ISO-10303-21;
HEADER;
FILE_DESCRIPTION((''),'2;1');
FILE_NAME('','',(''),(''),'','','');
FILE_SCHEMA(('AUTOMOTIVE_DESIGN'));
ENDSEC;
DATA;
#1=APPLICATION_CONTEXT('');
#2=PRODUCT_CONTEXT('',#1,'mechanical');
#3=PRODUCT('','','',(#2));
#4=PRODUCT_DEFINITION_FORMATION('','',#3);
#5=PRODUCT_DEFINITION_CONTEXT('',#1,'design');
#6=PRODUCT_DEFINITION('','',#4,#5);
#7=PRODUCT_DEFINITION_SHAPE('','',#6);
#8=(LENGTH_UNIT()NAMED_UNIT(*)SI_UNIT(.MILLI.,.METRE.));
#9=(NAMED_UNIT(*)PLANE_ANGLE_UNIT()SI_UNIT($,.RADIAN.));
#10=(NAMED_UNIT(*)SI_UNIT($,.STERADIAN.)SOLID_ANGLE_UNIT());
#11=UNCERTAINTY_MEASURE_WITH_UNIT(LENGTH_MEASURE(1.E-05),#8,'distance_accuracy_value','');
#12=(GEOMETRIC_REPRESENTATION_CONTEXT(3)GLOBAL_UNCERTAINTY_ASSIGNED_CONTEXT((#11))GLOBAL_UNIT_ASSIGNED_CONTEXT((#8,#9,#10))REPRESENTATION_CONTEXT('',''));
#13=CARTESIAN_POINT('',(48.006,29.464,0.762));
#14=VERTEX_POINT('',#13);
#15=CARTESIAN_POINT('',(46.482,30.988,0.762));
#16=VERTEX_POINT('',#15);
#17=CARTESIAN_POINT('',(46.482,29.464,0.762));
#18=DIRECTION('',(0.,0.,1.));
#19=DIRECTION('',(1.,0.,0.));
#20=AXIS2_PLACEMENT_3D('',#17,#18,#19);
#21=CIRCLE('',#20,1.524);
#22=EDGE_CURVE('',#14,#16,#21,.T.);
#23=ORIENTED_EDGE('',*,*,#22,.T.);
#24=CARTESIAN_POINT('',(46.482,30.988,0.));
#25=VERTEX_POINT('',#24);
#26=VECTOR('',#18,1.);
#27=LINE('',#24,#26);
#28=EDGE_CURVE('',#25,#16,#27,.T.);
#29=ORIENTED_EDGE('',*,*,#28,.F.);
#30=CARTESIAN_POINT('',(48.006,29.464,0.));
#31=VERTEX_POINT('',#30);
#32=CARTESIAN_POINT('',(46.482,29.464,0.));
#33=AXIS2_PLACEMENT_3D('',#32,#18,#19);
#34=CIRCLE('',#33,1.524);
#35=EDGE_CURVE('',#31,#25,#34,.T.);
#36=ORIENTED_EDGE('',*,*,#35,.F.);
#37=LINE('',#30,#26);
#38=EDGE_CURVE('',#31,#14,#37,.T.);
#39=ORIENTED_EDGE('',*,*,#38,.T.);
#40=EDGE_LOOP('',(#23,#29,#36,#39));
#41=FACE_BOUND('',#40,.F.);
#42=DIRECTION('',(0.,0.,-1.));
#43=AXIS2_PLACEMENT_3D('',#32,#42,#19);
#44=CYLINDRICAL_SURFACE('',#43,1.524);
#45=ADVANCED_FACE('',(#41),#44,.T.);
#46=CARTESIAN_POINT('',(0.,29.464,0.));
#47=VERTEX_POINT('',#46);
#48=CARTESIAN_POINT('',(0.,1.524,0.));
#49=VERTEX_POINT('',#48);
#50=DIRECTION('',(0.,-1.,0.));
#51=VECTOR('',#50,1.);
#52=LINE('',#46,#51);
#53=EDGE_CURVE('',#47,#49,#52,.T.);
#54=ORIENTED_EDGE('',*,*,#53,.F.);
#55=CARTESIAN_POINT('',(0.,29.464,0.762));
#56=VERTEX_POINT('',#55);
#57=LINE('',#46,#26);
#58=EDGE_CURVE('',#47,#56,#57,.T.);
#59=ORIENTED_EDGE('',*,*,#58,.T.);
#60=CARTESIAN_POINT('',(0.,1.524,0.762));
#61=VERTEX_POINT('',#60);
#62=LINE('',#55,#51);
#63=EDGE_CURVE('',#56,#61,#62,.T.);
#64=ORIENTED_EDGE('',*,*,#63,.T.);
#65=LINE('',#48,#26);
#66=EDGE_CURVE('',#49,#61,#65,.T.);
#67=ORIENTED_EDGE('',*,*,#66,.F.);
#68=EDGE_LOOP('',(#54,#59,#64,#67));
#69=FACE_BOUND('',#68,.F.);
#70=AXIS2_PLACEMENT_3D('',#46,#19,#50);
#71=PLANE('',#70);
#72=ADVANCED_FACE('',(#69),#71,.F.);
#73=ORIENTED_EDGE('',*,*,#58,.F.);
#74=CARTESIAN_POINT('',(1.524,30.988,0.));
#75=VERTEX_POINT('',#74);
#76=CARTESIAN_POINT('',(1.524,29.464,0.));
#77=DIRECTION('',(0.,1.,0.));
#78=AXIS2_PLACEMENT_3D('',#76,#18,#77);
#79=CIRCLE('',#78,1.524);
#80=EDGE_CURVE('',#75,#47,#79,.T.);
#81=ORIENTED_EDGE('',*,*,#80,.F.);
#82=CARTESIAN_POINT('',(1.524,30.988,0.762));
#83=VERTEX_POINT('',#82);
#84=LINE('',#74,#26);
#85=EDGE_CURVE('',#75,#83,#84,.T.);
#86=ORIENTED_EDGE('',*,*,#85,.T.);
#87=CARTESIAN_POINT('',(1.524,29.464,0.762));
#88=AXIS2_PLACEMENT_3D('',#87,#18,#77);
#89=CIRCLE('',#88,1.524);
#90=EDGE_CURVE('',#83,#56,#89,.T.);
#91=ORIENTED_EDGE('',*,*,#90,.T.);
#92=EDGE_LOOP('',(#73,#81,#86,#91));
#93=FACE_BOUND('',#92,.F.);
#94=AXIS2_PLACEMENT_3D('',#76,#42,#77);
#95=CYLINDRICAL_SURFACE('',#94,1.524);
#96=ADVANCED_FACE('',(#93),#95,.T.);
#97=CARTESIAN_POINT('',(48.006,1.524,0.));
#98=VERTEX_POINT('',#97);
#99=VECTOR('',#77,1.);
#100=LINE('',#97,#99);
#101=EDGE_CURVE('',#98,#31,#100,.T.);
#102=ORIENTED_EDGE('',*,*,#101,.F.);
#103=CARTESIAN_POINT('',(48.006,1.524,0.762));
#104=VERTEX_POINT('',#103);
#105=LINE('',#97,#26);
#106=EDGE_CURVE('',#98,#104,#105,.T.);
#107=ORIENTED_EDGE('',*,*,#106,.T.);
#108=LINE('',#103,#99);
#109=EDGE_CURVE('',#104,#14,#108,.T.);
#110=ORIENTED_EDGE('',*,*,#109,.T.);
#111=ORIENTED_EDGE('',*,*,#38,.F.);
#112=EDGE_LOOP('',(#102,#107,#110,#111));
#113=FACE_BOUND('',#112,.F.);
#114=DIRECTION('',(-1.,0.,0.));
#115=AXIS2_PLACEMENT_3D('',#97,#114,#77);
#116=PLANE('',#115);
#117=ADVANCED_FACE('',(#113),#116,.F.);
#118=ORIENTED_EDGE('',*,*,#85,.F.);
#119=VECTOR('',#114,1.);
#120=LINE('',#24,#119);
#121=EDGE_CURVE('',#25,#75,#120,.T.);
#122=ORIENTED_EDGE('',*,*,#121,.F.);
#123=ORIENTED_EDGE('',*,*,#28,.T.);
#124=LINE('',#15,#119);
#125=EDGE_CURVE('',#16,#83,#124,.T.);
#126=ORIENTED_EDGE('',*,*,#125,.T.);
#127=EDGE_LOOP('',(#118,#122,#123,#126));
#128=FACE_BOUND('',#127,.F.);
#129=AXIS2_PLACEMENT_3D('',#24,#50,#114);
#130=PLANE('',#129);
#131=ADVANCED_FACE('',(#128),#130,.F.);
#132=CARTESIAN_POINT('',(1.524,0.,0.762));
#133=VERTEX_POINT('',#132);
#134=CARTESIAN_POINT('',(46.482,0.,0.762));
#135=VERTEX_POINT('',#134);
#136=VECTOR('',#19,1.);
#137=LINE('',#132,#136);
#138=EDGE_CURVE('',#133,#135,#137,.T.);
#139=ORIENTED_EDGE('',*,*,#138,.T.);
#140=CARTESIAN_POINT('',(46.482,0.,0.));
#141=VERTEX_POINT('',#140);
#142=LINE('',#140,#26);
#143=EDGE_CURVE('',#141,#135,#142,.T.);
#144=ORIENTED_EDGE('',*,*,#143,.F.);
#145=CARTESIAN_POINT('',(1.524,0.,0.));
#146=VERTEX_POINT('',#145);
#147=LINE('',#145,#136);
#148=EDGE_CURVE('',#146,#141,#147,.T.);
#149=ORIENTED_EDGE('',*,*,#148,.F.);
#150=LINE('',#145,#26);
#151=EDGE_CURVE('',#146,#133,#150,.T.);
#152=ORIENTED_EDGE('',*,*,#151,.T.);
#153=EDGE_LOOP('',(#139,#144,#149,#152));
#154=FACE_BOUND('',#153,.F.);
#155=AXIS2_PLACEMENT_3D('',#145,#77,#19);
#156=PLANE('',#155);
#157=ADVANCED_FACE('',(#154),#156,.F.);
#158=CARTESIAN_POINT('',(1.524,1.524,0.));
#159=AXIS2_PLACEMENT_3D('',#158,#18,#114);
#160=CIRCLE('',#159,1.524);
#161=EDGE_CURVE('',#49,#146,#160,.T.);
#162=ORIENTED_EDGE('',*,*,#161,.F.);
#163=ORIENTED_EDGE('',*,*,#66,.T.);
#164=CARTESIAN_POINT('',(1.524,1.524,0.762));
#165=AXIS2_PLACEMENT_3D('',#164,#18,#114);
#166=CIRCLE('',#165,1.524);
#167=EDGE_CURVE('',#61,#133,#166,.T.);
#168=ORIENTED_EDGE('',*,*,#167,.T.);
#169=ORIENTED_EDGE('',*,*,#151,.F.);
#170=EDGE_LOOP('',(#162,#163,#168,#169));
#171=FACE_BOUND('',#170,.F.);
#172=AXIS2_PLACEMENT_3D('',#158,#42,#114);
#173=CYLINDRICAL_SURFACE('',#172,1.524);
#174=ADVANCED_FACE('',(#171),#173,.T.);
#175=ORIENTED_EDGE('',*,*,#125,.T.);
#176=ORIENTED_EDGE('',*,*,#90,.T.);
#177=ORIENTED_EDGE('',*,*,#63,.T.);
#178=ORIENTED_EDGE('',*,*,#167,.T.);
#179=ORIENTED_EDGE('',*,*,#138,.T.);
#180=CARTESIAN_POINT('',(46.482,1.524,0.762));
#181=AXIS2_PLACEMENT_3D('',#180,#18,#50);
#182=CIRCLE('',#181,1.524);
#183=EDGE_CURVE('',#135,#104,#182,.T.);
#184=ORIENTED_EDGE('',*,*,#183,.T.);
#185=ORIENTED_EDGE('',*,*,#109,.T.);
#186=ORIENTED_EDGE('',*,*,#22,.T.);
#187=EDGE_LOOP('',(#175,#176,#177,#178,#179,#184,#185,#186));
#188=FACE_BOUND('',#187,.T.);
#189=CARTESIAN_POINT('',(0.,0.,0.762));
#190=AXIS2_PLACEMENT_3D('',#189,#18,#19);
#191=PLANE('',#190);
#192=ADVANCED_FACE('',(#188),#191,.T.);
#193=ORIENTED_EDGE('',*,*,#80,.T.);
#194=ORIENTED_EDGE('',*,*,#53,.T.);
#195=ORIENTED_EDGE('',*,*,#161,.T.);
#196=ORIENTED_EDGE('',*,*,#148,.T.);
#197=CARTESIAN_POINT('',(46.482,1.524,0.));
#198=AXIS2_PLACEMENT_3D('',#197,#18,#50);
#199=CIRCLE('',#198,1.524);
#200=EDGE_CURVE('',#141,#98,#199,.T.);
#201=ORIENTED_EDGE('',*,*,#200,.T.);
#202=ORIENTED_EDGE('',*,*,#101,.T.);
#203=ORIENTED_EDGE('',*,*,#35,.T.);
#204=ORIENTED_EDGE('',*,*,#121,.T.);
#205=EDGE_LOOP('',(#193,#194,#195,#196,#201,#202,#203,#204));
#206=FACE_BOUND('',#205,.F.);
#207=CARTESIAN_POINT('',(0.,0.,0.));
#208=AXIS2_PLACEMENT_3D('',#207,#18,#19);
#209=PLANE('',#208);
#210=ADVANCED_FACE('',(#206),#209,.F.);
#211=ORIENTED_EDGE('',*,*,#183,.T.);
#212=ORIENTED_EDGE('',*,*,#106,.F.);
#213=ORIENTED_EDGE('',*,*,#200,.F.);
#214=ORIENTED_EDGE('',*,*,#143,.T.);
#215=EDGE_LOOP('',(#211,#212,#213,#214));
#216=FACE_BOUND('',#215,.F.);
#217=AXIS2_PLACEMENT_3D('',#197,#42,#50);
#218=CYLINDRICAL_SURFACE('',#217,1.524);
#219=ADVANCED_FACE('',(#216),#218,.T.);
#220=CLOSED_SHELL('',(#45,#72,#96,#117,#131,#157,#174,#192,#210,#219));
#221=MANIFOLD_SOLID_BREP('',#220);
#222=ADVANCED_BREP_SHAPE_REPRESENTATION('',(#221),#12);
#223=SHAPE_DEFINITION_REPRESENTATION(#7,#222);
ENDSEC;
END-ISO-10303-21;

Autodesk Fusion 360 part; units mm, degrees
sketch "Sketch1" plane through (0, 0, 0) normal (0, 0, 1) x (1, 0, 0)
  line L0 (1.524, 0) -> (46.482, 0)
  line L1 (48.006, 1.524) -> (48.006, 29.464)
  line L2 (46.482, 30.988) -> (1.524, 30.988)
  line L3 (0, 29.464) -> (0, 1.524)
  arc A0 (1.524, 30.988) -> (0, 29.464) centre (1.524, 29.464) ccw
  arc A1 (0, 1.524) -> (1.524, 0) centre (1.524, 1.524) ccw
  arc A2 (48.006, 29.464) -> (46.482, 30.988) centre (46.482, 29.464) ccw
  arc A3 (46.482, 0) -> (48.006, 1.524) centre (46.482, 1.524) ccw
  point P0 (48.006, 0)
  point P1 (0, 30.988)
  dimension "d1" = 48.006
  dimension "d2" = 30.988
  dimension "d5" = 1.524
  dimension "d6" = 1.524
  dimension "d7" = 1.524
  dimension "d8" = 1.524
extrude "Extrude1" add sketch "Sketch1" along normal blind 0.762
